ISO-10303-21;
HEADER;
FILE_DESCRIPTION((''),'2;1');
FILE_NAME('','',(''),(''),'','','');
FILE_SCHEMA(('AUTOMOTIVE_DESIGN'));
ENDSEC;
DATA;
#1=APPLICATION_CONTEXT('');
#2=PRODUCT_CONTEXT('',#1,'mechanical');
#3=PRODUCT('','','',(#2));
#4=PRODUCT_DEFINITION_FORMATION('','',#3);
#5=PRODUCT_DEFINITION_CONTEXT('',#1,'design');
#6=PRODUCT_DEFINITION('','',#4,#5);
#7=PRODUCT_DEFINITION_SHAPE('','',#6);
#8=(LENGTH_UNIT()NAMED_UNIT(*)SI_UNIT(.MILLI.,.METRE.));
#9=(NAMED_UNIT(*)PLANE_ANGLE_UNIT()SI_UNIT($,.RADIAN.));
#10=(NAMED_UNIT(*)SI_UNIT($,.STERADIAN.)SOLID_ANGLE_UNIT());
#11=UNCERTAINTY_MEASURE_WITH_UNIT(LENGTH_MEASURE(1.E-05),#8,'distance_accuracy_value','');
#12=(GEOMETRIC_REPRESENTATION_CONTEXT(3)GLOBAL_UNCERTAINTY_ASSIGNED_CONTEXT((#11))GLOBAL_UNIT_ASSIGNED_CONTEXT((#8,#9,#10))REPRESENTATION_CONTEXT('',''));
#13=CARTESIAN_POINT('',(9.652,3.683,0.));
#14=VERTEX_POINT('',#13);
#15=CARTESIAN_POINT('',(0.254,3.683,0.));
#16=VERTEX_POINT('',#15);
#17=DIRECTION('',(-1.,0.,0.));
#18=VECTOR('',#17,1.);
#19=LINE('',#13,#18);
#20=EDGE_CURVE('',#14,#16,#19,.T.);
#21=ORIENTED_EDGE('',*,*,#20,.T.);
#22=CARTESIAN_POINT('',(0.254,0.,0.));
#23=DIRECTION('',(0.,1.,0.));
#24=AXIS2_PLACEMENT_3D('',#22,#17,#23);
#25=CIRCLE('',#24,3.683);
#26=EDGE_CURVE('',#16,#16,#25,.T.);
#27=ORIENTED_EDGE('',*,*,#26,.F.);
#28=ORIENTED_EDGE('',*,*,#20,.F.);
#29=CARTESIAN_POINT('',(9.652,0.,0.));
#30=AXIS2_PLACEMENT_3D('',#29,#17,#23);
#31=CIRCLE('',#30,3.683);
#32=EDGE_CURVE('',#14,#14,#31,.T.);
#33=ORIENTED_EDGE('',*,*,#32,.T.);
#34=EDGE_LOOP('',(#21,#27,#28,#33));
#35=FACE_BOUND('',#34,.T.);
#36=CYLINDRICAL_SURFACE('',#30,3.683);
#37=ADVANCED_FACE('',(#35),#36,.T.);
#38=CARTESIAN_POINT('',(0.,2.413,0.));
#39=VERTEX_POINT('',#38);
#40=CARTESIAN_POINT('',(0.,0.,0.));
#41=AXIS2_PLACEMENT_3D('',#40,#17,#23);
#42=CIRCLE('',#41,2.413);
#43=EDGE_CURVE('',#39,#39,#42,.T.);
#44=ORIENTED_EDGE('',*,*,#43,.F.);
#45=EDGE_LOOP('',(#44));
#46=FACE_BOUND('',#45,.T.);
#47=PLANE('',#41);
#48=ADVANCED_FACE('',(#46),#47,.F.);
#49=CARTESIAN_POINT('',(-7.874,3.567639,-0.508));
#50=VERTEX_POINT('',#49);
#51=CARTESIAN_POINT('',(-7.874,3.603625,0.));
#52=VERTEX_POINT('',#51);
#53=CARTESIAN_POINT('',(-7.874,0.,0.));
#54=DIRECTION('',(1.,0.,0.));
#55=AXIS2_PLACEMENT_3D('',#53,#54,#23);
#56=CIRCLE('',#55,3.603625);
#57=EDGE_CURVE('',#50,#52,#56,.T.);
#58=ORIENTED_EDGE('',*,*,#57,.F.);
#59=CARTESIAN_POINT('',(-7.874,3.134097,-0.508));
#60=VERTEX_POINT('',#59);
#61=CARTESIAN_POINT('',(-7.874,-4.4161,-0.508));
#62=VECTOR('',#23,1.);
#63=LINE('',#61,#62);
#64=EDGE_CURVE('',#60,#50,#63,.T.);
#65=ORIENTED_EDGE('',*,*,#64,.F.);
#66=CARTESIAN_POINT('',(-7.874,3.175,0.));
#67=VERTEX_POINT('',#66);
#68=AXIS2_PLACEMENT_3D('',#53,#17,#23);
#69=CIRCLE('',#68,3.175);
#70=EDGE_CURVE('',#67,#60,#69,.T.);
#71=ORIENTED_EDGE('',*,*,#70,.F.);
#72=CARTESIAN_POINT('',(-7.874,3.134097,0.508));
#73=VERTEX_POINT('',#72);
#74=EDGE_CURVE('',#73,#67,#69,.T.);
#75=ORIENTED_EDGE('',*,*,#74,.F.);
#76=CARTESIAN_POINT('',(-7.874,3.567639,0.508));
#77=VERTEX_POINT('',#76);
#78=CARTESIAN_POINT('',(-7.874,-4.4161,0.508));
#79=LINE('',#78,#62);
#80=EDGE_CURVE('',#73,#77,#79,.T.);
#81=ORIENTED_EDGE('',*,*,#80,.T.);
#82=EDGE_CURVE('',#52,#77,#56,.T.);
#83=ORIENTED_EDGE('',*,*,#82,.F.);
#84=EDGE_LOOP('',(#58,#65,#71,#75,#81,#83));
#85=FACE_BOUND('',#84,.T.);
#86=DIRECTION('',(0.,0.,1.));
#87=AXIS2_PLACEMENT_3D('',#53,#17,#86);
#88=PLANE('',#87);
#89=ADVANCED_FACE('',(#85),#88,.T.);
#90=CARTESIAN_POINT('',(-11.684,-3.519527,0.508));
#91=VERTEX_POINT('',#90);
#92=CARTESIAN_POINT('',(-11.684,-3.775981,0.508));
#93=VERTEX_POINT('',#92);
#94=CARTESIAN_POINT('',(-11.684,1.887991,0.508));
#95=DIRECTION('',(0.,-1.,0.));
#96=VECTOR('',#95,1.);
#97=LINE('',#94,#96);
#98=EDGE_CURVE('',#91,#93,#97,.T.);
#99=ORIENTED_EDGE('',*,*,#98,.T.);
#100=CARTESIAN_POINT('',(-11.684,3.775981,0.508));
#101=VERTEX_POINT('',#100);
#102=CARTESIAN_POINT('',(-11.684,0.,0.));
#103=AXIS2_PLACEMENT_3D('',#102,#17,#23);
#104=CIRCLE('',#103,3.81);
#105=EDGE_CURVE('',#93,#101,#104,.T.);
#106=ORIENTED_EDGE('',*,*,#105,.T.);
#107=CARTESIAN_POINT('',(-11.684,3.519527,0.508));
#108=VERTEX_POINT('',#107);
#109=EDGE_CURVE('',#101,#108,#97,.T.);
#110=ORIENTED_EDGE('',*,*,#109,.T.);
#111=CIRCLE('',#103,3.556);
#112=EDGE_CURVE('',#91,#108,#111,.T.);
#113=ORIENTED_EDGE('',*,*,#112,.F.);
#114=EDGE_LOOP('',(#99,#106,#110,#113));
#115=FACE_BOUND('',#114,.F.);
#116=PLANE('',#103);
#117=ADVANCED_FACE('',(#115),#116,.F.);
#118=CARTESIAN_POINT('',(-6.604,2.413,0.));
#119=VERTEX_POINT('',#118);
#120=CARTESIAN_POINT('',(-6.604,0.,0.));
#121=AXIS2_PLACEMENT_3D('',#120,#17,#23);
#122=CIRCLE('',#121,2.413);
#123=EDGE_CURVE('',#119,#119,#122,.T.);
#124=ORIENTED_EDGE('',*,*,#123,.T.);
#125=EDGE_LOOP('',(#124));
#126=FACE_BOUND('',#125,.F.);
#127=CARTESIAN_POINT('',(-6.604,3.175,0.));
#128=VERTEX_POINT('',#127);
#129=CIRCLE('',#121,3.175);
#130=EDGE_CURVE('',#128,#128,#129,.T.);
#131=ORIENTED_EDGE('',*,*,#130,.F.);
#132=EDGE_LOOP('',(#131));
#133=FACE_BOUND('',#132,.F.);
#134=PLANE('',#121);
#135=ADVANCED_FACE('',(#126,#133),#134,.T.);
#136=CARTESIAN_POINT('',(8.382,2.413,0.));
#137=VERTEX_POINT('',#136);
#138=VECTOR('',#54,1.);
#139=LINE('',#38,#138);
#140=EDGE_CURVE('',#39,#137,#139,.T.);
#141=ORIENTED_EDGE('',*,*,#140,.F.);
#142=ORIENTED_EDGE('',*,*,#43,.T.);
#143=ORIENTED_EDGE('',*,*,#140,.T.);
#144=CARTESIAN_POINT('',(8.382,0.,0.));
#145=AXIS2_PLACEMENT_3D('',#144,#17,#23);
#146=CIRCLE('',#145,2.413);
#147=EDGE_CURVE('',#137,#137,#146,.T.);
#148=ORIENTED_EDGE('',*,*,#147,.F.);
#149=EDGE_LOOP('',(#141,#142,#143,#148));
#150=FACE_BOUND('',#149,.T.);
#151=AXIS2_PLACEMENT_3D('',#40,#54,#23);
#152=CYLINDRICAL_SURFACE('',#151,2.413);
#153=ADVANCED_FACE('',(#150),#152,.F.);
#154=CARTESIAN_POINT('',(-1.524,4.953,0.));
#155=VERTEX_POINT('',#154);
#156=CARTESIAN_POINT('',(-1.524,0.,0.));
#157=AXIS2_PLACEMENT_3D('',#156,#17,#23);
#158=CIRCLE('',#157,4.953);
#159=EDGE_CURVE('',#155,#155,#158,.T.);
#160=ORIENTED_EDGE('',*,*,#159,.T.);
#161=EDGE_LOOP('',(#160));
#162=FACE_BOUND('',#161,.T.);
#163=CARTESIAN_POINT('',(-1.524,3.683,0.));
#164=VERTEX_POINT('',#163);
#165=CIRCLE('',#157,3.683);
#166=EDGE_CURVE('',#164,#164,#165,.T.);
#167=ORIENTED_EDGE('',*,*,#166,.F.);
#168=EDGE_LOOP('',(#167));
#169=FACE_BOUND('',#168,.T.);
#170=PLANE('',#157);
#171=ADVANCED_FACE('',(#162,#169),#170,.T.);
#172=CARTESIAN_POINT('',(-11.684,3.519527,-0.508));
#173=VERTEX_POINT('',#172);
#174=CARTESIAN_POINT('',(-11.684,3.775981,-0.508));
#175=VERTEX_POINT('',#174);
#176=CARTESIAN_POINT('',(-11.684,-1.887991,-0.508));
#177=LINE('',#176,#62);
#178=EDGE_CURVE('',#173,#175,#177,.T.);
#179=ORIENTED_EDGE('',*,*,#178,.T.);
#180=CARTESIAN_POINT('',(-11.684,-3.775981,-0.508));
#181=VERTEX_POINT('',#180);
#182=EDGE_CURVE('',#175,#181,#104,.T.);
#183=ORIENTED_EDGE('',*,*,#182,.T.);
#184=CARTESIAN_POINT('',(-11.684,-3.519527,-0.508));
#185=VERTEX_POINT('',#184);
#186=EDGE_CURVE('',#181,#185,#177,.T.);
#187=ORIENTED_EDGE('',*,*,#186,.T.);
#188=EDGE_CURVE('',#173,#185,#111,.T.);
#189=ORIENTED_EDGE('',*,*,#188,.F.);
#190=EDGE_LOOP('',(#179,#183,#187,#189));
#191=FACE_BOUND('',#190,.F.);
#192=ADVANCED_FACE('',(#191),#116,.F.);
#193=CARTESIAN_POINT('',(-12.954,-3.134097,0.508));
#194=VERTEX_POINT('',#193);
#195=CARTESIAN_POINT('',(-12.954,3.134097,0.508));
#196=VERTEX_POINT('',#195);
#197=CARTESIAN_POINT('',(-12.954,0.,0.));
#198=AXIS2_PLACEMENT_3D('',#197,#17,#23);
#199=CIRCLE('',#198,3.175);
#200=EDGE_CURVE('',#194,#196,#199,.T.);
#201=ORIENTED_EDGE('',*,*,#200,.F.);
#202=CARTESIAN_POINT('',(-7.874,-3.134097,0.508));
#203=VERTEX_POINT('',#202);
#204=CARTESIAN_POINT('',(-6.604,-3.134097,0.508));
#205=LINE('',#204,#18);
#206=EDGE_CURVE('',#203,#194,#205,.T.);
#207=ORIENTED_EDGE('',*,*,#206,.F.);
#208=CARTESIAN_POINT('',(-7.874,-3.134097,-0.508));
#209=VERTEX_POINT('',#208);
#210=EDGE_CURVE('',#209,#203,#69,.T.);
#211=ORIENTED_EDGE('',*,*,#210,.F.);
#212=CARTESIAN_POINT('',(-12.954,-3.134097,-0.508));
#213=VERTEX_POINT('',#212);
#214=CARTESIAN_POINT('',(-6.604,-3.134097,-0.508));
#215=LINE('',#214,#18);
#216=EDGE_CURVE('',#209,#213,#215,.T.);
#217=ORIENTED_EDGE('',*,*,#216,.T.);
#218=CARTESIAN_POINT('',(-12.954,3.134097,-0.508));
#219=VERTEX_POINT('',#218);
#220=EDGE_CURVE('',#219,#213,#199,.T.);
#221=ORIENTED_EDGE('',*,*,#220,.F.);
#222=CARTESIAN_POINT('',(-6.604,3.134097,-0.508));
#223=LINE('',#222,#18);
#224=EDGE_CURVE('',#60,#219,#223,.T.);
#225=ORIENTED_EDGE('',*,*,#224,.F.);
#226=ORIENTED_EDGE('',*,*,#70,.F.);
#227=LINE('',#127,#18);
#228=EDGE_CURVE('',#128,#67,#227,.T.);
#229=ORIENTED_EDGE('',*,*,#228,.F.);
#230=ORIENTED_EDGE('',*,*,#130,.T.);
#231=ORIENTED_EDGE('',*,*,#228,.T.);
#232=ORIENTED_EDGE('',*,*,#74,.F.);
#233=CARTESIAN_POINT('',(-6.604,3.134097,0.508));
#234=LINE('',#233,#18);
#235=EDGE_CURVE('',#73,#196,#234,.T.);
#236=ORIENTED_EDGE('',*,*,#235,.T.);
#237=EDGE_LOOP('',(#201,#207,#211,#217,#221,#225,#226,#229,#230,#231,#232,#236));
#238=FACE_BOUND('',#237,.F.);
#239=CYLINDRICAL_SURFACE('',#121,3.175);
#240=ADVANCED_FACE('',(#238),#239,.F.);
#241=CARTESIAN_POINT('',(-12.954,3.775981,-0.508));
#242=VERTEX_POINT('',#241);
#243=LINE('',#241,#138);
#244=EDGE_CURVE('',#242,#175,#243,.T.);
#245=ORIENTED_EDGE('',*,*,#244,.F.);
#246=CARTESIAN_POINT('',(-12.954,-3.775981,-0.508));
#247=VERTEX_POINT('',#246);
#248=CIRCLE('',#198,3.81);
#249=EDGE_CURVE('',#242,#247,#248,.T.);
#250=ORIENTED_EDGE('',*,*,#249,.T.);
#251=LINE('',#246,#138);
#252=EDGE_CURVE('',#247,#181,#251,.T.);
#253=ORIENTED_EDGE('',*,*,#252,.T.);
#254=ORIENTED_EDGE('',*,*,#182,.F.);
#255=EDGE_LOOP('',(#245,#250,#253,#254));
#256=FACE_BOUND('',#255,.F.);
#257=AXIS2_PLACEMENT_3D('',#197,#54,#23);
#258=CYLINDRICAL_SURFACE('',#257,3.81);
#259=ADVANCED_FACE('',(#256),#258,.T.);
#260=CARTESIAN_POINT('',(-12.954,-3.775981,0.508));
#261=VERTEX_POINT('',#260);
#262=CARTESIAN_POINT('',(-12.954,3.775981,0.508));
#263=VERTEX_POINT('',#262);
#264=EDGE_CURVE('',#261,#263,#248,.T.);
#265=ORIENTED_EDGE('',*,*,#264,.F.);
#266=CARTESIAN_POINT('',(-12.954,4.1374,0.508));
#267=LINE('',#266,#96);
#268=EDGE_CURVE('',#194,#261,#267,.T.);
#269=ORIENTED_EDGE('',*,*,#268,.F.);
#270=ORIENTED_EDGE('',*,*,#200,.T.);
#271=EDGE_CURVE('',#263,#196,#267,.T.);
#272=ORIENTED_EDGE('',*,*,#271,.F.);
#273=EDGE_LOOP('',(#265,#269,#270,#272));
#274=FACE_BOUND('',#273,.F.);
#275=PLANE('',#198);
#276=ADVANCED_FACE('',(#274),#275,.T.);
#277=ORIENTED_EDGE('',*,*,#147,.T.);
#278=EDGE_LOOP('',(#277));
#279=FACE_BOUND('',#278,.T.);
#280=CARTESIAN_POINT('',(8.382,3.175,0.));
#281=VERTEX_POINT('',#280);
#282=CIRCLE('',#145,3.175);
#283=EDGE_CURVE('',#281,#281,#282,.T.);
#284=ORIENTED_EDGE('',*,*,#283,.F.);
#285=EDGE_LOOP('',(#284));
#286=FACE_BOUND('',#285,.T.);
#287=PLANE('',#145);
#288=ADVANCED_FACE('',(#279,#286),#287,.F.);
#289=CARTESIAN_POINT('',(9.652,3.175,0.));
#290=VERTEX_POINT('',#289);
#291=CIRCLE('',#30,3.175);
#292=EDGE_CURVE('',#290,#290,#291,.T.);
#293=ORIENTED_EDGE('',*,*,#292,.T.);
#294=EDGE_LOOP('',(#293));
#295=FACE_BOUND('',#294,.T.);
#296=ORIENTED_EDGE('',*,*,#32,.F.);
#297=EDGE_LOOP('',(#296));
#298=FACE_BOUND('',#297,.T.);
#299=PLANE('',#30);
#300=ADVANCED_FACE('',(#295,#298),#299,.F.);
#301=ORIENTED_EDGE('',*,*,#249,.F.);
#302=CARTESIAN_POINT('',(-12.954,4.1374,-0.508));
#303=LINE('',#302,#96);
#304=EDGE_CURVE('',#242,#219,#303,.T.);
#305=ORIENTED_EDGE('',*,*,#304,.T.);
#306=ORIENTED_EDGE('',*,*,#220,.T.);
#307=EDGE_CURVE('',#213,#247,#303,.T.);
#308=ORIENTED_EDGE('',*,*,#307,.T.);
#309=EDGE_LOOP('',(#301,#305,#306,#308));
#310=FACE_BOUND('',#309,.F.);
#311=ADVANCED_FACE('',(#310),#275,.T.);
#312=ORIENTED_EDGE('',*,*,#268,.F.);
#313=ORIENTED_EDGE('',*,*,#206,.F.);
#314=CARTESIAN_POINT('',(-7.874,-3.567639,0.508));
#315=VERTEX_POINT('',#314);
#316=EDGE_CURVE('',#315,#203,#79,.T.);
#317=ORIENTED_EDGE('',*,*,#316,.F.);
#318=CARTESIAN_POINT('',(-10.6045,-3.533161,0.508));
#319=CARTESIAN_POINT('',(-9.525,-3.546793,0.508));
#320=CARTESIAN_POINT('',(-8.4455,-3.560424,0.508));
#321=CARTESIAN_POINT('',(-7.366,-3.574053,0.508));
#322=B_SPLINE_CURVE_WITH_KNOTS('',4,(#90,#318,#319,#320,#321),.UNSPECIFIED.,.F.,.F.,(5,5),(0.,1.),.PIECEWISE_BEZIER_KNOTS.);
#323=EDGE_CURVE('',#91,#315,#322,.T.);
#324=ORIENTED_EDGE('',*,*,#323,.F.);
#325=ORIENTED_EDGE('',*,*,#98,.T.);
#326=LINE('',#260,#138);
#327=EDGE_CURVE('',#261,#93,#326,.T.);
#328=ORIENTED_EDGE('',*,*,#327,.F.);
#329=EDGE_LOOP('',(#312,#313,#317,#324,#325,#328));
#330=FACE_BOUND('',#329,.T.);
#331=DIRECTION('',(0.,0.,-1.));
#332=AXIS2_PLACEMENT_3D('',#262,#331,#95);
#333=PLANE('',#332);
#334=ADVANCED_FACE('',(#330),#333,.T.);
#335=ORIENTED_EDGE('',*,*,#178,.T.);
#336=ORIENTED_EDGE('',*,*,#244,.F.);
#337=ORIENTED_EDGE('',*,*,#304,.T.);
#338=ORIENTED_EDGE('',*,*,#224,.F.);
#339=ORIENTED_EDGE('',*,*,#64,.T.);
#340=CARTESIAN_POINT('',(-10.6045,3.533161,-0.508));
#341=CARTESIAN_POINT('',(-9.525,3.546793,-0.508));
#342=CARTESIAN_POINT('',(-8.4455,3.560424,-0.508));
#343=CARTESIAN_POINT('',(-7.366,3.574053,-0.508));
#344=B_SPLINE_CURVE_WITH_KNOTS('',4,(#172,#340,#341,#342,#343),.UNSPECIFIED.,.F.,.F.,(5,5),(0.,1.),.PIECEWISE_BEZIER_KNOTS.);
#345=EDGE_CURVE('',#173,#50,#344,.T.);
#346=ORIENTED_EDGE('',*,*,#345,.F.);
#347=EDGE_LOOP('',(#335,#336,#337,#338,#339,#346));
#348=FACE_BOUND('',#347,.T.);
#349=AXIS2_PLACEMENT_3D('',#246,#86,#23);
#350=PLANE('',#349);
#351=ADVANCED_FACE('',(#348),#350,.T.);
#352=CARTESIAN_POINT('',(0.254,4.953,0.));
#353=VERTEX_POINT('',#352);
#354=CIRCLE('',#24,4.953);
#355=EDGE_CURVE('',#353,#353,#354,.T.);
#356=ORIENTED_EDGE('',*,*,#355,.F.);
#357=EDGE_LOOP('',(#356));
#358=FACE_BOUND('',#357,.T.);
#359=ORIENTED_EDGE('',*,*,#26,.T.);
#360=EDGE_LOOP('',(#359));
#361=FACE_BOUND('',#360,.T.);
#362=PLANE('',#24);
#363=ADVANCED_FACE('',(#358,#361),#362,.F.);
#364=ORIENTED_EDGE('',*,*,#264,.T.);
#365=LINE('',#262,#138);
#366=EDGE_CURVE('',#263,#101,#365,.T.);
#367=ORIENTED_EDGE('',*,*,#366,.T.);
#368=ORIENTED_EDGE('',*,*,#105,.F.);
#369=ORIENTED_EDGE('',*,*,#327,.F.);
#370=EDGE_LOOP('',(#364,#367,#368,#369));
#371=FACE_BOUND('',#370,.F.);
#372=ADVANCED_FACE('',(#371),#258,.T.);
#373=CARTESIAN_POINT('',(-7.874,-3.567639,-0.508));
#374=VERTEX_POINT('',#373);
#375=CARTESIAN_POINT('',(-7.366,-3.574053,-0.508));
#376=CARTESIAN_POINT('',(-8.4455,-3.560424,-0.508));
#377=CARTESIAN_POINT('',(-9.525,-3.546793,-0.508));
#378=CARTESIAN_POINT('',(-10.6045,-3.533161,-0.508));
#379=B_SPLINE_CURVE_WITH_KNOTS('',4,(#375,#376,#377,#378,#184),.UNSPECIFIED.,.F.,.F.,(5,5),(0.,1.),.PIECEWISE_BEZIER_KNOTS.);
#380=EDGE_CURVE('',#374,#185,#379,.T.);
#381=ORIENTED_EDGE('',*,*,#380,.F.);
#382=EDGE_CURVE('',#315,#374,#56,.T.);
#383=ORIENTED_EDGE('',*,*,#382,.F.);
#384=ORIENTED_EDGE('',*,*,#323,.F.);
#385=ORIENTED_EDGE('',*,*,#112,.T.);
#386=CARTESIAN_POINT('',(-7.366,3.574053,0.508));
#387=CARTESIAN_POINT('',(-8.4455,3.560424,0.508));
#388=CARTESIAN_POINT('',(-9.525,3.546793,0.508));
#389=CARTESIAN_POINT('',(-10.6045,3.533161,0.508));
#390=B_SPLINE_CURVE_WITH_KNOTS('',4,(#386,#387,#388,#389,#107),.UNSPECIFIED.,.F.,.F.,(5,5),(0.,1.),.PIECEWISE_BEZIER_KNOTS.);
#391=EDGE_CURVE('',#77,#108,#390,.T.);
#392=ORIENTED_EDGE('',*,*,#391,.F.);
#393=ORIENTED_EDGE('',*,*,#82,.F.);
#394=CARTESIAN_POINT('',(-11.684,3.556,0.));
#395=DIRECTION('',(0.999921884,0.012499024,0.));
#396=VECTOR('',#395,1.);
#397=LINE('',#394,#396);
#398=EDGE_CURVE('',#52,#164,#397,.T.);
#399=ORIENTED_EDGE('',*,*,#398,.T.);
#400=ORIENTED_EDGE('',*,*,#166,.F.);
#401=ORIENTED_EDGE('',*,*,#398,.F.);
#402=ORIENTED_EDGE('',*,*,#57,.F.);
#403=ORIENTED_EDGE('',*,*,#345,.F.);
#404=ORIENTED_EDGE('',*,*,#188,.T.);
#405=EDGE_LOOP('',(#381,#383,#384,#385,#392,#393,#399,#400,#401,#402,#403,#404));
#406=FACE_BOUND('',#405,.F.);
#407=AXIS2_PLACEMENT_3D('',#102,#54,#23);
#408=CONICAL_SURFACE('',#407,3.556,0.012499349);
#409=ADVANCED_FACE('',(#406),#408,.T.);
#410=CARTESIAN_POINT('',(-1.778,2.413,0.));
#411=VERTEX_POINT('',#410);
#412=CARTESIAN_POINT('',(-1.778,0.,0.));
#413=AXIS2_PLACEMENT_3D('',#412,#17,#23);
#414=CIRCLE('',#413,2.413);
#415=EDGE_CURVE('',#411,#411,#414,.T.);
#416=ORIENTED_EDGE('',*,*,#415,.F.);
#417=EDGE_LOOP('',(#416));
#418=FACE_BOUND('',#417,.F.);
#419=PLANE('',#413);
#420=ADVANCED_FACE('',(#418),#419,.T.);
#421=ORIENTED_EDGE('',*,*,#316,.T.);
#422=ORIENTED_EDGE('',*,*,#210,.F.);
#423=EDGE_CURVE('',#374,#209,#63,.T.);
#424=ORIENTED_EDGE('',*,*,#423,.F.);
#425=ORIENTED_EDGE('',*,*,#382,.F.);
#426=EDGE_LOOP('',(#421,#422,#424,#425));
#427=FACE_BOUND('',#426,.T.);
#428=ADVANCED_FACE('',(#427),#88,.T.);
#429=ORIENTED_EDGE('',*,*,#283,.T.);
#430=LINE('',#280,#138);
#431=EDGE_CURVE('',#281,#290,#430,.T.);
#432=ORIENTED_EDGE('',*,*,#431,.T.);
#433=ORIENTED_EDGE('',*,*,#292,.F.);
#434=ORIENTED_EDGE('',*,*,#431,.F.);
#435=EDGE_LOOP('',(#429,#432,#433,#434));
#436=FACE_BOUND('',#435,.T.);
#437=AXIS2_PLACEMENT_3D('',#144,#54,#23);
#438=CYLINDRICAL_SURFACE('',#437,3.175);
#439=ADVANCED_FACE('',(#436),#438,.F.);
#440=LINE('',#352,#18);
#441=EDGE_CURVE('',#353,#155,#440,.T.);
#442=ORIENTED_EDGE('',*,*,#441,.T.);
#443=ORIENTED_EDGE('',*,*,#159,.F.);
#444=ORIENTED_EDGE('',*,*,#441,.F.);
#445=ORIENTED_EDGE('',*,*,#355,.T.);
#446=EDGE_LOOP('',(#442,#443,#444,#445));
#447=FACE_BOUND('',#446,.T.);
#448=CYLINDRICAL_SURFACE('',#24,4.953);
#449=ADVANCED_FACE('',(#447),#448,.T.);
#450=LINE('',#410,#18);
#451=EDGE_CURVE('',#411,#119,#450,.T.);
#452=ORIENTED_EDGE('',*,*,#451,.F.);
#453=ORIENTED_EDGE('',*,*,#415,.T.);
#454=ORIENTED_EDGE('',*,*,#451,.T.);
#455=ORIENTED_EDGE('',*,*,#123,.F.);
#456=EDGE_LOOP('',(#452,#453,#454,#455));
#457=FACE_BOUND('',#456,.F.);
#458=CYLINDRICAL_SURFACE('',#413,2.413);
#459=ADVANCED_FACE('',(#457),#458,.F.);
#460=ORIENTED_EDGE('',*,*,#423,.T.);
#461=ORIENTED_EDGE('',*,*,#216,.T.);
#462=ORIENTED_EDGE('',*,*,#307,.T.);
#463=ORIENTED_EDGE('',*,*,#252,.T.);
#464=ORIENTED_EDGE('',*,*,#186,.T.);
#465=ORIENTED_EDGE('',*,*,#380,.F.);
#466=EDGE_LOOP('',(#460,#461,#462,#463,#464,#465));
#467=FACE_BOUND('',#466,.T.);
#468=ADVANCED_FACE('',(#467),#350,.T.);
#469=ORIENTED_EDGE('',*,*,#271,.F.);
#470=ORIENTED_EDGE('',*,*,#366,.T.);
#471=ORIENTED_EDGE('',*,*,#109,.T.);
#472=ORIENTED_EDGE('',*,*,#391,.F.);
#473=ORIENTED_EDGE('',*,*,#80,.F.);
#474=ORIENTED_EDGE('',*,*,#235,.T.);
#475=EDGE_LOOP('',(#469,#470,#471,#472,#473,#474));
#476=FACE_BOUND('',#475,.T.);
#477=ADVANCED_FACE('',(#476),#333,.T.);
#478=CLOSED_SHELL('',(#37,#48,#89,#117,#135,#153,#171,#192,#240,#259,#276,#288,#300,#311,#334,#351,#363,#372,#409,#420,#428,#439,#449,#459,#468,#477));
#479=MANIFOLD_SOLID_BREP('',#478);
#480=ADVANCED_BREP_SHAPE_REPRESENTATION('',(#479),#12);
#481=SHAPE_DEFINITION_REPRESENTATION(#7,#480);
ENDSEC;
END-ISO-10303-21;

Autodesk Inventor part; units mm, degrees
ref_plane "YZ Plane" through (0, 0, 0) normal (1, 0, 0) x (0, 1, 0)
ref_plane "XZ Plane" through (0, 0, 0) normal (0, 1, 0) x (-1, 0, 0)
ref_plane "XY Plane" through (0, 0, 0) normal (0, 0, 1) x (1, 0, 0)
sketch "Sketch1" plane through (0, 0, 0) normal (0, 0, 1) x (1, 0, 0)
  line L0 (0, 0) -> (0, 2.413)
  line L1 (0, 2.413) -> (8.382, 2.413)
  line L2 (8.382, 2.413) -> (8.382, 3.175)
  line L3 (8.382, 3.175) -> (9.652, 3.175)
  line L4 (9.652, 3.175) -> (9.652, 3.683)
  line L5 (9.652, 3.683) -> (0.254, 3.683)
  line L6 (0.254, 3.683) -> (0.254, 4.953)
  line L7 (0.254, 4.953) -> (-1.524, 4.953)
  line L8 (-1.524, 4.953) -> (-1.524, 3.683)
  line L9 (0, 0) -> (-1.778, 0)
  line L10 (-1.778, 0) -> (-1.778, 2.413)
  line L11 (-1.778, 2.413) -> (-6.604, 2.413)
  line L12 (-6.604, 2.413) -> (-6.604, 3.175)
  line L13 (-6.604, 3.175) -> (-12.954, 3.175)
  line L14 (-12.954, 3.175) -> (-12.954, 3.81)
  line L15 (-12.954, 3.81) -> (-11.684, 3.81)
  line L16 (-11.684, 3.81) -> (-11.684, 3.556)
  line L17 (-11.684, 3.556) -> (-1.524, 3.683)
  dimension "d0" = 2.413
  dimension "d1" = 8.382
  dimension "d2" = 0.762
  dimension "d3" = 1.27
  dimension "d4" = 0.508
  dimension "d5" = 9.398
  dimension "d6" = 1.27
  dimension "d7" = 1.778
  dimension "d8" = 1.27
  dimension "d9" = 1.778
  dimension "d10" = 2.413
  dimension "d11" = 4.826
  dimension "d12" = 0.762
  dimension "d13" = 6.35
  dimension "d14" = 0.635
  dimension "d15" = 1.27
  dimension "d16" = 0.254
revolve "Revolution1" add sketch "Sketch1" angle 360 about axis through (0, 0, 0) along (-1, 0, 0)
sketch "Sketch2" plane through (-12.954, 0, 0) normal (-1, 0, 0) x (0, 0, 1)
  circle A0 centre (0, 0) radius 3.81 projected
  line L0 (-0.508, 4.1374) -> (0.508, 4.1374)
  line L1 (0.508, 4.1374) -> (0.508, -4.4161)
  line L2 (0.508, -4.4161) -> (-0.508, -4.4161)
  line L3 (-0.508, -4.4161) -> (-0.508, 4.1374)
  dimension "d18" = 1.016
extrude "Extrusion1" cut sketch "Sketch2" against normal blind 5.08 contours L1 A0 L3 | A0 L3 L0 L1 | L1 L2 L3 A0
properties part number "AxleNT"
